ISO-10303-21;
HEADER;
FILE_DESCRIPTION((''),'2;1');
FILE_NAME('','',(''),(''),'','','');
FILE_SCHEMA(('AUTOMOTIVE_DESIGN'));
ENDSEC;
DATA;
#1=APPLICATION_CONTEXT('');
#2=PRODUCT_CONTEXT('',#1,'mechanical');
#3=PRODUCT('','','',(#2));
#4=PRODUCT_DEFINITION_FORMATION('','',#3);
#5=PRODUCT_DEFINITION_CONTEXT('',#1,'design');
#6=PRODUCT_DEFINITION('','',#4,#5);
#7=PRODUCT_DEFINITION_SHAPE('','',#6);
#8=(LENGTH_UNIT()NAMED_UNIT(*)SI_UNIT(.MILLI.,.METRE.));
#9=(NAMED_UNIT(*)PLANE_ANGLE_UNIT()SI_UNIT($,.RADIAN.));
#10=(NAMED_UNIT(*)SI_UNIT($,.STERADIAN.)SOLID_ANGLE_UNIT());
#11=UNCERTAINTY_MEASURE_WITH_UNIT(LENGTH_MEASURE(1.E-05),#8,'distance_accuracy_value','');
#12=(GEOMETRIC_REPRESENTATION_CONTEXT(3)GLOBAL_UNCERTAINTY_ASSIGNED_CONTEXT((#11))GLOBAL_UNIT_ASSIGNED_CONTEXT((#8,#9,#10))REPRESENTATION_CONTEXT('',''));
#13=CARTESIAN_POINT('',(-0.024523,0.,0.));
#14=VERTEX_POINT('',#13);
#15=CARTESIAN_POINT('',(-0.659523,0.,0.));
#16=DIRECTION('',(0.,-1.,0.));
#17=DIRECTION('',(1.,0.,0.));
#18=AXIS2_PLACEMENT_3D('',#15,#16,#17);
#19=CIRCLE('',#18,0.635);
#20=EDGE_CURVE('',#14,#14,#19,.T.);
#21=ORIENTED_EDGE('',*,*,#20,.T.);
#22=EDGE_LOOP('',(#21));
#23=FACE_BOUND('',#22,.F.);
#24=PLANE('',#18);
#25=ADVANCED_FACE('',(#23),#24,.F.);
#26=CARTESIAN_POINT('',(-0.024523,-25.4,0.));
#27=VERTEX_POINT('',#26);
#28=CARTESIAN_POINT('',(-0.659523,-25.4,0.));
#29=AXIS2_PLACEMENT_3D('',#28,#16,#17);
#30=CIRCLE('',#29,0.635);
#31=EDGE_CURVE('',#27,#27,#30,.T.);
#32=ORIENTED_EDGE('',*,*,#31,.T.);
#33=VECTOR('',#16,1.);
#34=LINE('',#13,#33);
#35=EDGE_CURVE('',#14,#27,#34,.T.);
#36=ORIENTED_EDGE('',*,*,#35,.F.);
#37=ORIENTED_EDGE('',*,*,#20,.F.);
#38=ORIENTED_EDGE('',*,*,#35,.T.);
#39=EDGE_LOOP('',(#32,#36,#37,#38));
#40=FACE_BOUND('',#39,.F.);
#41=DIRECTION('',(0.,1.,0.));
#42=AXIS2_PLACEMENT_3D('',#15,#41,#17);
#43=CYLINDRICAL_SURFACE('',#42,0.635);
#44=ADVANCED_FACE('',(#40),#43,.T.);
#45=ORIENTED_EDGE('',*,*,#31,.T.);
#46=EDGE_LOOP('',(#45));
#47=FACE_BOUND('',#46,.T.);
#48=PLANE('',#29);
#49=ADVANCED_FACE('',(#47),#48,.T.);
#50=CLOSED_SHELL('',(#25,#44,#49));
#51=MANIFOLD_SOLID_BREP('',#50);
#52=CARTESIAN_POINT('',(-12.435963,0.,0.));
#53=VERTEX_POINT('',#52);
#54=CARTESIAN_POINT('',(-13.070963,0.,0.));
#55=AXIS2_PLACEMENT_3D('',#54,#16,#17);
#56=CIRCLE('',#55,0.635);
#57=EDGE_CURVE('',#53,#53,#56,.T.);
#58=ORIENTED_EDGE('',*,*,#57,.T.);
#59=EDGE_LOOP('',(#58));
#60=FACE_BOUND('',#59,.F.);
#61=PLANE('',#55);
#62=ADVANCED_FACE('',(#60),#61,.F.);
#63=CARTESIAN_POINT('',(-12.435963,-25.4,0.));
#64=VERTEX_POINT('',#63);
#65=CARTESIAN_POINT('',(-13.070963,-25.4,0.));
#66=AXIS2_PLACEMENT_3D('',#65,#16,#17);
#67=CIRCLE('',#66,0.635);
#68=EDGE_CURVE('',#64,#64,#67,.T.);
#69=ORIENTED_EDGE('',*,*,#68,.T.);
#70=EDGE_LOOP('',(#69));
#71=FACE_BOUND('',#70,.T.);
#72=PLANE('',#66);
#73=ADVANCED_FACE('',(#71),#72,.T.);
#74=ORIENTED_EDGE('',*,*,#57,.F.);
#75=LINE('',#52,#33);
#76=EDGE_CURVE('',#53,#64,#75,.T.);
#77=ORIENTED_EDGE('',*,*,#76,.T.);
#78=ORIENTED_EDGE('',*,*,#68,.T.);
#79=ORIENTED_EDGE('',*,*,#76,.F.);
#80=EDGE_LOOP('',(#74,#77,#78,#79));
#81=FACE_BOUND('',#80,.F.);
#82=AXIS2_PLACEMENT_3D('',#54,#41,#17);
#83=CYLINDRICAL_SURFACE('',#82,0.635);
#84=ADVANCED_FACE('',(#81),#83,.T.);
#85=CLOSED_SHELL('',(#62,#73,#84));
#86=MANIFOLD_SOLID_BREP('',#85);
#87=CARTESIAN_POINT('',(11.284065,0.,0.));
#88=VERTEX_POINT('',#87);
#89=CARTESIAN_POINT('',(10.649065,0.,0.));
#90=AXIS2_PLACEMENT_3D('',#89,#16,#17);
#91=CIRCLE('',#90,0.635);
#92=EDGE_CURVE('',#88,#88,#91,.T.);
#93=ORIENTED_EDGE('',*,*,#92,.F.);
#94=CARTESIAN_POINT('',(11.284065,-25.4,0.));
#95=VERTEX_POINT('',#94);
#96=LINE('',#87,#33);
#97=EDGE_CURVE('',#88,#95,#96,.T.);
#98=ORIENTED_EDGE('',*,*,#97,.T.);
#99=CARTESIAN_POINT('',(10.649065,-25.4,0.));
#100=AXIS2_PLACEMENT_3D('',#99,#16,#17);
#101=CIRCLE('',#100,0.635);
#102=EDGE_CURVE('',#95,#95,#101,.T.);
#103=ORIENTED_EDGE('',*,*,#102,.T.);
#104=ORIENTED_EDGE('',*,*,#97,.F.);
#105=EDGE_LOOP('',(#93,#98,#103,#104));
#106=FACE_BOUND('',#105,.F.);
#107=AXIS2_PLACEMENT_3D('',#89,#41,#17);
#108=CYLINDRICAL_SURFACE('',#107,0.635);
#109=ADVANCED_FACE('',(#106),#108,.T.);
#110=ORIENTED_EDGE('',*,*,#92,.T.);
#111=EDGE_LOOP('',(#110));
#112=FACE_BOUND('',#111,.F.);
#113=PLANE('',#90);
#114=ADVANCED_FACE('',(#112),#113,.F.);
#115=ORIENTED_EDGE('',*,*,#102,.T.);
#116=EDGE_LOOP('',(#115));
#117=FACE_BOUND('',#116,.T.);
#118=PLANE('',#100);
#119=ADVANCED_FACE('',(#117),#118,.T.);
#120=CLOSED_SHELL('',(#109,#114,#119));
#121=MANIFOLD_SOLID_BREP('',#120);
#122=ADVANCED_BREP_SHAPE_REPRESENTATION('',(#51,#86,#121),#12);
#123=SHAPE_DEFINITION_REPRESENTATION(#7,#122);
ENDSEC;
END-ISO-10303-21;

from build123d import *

# Parameters (mm, degrees)
F0_R     = 0.635
F1_DEPTH = 25.4


with BuildPart() as f1:
    # F0 (on Front) → F1 (new body)
    with BuildSketch(Plane.XZ):
        with Locations((-0.659523, 0)):
            Circle(F0_R)
        with Locations((10.649065, 0)):
            Circle(F0_R)
        with Locations((-13.070963, 0)):
            Circle(F0_R)
    extrude(amount=F1_DEPTH)


solid = f1.part
